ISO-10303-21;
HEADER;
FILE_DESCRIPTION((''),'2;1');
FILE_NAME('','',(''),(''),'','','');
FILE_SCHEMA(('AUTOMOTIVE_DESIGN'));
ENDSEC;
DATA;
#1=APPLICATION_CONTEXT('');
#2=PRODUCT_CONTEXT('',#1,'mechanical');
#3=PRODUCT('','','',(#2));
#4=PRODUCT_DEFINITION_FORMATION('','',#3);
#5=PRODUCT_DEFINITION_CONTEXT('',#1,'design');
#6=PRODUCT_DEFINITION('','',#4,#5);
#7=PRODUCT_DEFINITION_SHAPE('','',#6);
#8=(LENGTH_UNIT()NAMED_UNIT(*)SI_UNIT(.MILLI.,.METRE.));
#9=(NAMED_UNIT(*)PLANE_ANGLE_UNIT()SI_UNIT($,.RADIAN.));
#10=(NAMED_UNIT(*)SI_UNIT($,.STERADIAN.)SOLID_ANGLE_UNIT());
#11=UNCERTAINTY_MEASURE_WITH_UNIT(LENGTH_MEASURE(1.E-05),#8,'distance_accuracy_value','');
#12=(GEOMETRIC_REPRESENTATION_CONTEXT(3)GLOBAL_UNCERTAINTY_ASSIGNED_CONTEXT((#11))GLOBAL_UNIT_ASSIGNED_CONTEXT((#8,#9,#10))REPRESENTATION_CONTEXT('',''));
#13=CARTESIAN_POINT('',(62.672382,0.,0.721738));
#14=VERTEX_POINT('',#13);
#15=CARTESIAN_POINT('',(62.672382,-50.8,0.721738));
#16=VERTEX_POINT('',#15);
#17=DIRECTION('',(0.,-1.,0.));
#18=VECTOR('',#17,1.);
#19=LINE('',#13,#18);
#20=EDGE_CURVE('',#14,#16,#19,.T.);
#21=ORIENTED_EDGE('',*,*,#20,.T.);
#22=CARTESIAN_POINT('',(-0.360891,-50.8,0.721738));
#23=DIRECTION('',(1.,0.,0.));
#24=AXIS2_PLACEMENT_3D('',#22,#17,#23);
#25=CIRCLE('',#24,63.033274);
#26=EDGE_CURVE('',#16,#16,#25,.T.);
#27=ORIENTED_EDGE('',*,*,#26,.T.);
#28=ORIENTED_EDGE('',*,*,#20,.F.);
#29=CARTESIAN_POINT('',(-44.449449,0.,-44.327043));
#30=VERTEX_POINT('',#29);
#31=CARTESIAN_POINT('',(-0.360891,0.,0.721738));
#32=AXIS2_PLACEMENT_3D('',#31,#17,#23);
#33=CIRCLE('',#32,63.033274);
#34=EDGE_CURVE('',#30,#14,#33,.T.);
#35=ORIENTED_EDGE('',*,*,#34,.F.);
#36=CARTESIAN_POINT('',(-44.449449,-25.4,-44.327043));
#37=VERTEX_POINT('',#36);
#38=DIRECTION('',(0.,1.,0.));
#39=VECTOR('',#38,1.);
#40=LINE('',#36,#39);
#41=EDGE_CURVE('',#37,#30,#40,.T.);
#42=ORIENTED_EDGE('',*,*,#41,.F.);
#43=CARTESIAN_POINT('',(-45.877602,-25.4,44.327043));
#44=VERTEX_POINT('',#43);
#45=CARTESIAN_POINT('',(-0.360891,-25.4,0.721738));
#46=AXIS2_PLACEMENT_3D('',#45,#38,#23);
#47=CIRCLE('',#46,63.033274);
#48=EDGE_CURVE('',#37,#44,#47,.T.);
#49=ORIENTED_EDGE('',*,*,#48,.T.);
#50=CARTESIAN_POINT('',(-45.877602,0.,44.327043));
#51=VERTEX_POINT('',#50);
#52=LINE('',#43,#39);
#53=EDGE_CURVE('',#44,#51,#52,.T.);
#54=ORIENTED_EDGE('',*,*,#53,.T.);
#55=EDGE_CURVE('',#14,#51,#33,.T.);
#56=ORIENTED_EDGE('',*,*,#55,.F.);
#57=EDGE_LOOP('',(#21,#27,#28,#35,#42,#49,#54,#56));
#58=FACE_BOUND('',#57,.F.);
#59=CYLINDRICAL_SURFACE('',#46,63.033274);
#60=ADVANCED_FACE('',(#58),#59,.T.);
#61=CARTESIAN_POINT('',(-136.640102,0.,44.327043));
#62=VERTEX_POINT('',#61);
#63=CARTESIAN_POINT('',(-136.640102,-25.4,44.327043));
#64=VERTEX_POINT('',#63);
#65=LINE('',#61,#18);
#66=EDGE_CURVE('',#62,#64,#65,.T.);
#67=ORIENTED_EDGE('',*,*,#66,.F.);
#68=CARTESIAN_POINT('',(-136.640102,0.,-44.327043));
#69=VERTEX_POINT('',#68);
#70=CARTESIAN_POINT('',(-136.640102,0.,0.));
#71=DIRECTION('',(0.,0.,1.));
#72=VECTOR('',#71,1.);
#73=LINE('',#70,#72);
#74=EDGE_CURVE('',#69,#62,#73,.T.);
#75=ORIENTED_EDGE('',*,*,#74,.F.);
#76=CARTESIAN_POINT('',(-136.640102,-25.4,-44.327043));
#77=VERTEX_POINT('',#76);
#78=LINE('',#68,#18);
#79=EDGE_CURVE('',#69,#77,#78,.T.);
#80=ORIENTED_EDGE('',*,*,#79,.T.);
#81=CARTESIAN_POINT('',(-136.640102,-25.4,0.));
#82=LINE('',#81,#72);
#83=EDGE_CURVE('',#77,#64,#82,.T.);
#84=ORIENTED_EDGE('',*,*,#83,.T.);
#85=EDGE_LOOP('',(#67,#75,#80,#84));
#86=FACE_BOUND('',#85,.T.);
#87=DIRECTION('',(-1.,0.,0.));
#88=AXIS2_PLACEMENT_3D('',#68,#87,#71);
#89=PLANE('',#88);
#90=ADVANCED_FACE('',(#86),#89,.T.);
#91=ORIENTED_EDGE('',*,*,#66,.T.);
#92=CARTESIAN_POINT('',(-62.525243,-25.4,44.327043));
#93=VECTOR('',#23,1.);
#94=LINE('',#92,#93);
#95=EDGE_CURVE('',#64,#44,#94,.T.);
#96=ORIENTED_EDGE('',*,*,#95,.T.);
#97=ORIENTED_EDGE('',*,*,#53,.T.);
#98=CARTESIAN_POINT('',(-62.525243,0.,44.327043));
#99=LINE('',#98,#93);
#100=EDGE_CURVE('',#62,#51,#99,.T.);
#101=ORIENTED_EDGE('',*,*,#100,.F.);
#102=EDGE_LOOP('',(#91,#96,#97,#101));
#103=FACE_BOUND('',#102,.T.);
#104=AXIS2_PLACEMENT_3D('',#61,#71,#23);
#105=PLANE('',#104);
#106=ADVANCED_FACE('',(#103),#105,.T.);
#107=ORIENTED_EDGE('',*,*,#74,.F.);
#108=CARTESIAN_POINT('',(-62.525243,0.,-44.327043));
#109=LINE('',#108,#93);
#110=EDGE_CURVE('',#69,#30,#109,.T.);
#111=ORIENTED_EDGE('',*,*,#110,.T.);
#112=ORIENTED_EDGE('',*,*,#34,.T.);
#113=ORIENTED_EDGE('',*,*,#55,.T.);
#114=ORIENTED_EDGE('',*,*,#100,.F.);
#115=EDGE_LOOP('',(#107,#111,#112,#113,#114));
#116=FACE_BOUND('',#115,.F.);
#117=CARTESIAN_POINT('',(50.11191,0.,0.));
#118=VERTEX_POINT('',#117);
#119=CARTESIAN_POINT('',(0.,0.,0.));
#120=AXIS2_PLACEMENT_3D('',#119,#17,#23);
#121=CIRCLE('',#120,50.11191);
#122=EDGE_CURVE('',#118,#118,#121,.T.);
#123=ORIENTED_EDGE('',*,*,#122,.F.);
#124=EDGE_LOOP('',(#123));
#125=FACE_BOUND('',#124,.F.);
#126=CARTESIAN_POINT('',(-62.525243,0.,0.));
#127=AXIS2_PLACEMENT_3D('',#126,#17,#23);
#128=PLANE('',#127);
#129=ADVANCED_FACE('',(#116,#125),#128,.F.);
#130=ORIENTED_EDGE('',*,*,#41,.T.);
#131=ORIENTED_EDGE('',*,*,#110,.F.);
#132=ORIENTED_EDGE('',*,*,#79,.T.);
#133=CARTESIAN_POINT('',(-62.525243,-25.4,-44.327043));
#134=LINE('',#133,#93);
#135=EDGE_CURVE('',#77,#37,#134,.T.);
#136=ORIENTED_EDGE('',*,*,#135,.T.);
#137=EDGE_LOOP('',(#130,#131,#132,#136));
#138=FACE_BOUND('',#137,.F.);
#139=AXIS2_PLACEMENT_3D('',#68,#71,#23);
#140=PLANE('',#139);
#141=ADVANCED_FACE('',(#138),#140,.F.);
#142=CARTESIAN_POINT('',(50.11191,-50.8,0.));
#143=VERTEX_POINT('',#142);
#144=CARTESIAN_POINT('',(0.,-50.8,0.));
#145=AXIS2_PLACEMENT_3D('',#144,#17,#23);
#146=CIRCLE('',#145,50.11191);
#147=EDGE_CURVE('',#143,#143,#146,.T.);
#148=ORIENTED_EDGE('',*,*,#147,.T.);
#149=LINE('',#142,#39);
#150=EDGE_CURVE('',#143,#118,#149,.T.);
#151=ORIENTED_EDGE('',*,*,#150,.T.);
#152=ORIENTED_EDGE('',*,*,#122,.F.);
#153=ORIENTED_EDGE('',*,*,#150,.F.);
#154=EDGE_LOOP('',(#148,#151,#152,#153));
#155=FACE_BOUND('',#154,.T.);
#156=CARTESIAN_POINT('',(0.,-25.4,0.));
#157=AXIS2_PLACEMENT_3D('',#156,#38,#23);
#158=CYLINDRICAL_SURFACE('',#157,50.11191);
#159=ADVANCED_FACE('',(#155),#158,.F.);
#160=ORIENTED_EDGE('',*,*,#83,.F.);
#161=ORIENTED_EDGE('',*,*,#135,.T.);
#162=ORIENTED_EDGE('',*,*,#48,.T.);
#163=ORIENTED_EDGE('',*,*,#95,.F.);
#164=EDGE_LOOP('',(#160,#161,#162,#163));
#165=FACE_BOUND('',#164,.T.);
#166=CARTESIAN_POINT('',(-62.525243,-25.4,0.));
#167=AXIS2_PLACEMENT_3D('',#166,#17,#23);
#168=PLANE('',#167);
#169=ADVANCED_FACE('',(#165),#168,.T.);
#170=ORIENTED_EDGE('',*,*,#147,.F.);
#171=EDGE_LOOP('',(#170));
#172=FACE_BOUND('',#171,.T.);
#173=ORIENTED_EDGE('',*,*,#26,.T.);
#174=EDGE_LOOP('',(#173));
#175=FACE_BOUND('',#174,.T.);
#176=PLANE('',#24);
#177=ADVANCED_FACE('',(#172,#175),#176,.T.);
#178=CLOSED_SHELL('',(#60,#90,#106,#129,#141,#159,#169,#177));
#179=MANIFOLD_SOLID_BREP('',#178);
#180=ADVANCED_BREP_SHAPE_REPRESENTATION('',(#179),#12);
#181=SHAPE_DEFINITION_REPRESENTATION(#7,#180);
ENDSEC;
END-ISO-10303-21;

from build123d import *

# Parameters (mm, degrees)
F0_R     = 63.0332735131
F0_R_2   = 50.1119097805
F1_DEPTH = 25.4
F2_DEPTH = 25.4
F3_W     = 148.2297182083
F3_H     = 88.6540859938
F4_DEPTH = 25.4
F5_DEPTH = 25.4


with BuildPart() as f1:
    # F0 (on Front) → F1 (new body)
    with BuildSketch(Plane.XZ):
        with Locations((-0.360891223, 0.7217377424)):
            Circle(F0_R)
        Circle(F0_R_2, mode=Mode.SUBTRACT)
    extrude(amount=F1_DEPTH)

    # F2 (add): a face of the model
    f2_faces = [f1.faces().sort_by_distance(p)[0] for p in [
        (-61.6113145304, -25.4, 0.7217377424),
    ]]
    extrude(f2_faces, amount=F2_DEPTH)

    # F3 (on Front) → F4 (join)
    with BuildSketch(Plane.XZ):
        with Locations((-62.5252425671, 0)):
            Rectangle(F3_W, F3_H)
    extrude(amount=F4_DEPTH)

    # F5 (cut): a face of the model
    f5_faces = [f1.faces().sort_by_distance(p)[0] for p in [
        (-15.9361897378, -25.4, 0),
    ]]
    extrude(f5_faces, amount=-F5_DEPTH, mode=Mode.SUBTRACT)


solid = f1.part
